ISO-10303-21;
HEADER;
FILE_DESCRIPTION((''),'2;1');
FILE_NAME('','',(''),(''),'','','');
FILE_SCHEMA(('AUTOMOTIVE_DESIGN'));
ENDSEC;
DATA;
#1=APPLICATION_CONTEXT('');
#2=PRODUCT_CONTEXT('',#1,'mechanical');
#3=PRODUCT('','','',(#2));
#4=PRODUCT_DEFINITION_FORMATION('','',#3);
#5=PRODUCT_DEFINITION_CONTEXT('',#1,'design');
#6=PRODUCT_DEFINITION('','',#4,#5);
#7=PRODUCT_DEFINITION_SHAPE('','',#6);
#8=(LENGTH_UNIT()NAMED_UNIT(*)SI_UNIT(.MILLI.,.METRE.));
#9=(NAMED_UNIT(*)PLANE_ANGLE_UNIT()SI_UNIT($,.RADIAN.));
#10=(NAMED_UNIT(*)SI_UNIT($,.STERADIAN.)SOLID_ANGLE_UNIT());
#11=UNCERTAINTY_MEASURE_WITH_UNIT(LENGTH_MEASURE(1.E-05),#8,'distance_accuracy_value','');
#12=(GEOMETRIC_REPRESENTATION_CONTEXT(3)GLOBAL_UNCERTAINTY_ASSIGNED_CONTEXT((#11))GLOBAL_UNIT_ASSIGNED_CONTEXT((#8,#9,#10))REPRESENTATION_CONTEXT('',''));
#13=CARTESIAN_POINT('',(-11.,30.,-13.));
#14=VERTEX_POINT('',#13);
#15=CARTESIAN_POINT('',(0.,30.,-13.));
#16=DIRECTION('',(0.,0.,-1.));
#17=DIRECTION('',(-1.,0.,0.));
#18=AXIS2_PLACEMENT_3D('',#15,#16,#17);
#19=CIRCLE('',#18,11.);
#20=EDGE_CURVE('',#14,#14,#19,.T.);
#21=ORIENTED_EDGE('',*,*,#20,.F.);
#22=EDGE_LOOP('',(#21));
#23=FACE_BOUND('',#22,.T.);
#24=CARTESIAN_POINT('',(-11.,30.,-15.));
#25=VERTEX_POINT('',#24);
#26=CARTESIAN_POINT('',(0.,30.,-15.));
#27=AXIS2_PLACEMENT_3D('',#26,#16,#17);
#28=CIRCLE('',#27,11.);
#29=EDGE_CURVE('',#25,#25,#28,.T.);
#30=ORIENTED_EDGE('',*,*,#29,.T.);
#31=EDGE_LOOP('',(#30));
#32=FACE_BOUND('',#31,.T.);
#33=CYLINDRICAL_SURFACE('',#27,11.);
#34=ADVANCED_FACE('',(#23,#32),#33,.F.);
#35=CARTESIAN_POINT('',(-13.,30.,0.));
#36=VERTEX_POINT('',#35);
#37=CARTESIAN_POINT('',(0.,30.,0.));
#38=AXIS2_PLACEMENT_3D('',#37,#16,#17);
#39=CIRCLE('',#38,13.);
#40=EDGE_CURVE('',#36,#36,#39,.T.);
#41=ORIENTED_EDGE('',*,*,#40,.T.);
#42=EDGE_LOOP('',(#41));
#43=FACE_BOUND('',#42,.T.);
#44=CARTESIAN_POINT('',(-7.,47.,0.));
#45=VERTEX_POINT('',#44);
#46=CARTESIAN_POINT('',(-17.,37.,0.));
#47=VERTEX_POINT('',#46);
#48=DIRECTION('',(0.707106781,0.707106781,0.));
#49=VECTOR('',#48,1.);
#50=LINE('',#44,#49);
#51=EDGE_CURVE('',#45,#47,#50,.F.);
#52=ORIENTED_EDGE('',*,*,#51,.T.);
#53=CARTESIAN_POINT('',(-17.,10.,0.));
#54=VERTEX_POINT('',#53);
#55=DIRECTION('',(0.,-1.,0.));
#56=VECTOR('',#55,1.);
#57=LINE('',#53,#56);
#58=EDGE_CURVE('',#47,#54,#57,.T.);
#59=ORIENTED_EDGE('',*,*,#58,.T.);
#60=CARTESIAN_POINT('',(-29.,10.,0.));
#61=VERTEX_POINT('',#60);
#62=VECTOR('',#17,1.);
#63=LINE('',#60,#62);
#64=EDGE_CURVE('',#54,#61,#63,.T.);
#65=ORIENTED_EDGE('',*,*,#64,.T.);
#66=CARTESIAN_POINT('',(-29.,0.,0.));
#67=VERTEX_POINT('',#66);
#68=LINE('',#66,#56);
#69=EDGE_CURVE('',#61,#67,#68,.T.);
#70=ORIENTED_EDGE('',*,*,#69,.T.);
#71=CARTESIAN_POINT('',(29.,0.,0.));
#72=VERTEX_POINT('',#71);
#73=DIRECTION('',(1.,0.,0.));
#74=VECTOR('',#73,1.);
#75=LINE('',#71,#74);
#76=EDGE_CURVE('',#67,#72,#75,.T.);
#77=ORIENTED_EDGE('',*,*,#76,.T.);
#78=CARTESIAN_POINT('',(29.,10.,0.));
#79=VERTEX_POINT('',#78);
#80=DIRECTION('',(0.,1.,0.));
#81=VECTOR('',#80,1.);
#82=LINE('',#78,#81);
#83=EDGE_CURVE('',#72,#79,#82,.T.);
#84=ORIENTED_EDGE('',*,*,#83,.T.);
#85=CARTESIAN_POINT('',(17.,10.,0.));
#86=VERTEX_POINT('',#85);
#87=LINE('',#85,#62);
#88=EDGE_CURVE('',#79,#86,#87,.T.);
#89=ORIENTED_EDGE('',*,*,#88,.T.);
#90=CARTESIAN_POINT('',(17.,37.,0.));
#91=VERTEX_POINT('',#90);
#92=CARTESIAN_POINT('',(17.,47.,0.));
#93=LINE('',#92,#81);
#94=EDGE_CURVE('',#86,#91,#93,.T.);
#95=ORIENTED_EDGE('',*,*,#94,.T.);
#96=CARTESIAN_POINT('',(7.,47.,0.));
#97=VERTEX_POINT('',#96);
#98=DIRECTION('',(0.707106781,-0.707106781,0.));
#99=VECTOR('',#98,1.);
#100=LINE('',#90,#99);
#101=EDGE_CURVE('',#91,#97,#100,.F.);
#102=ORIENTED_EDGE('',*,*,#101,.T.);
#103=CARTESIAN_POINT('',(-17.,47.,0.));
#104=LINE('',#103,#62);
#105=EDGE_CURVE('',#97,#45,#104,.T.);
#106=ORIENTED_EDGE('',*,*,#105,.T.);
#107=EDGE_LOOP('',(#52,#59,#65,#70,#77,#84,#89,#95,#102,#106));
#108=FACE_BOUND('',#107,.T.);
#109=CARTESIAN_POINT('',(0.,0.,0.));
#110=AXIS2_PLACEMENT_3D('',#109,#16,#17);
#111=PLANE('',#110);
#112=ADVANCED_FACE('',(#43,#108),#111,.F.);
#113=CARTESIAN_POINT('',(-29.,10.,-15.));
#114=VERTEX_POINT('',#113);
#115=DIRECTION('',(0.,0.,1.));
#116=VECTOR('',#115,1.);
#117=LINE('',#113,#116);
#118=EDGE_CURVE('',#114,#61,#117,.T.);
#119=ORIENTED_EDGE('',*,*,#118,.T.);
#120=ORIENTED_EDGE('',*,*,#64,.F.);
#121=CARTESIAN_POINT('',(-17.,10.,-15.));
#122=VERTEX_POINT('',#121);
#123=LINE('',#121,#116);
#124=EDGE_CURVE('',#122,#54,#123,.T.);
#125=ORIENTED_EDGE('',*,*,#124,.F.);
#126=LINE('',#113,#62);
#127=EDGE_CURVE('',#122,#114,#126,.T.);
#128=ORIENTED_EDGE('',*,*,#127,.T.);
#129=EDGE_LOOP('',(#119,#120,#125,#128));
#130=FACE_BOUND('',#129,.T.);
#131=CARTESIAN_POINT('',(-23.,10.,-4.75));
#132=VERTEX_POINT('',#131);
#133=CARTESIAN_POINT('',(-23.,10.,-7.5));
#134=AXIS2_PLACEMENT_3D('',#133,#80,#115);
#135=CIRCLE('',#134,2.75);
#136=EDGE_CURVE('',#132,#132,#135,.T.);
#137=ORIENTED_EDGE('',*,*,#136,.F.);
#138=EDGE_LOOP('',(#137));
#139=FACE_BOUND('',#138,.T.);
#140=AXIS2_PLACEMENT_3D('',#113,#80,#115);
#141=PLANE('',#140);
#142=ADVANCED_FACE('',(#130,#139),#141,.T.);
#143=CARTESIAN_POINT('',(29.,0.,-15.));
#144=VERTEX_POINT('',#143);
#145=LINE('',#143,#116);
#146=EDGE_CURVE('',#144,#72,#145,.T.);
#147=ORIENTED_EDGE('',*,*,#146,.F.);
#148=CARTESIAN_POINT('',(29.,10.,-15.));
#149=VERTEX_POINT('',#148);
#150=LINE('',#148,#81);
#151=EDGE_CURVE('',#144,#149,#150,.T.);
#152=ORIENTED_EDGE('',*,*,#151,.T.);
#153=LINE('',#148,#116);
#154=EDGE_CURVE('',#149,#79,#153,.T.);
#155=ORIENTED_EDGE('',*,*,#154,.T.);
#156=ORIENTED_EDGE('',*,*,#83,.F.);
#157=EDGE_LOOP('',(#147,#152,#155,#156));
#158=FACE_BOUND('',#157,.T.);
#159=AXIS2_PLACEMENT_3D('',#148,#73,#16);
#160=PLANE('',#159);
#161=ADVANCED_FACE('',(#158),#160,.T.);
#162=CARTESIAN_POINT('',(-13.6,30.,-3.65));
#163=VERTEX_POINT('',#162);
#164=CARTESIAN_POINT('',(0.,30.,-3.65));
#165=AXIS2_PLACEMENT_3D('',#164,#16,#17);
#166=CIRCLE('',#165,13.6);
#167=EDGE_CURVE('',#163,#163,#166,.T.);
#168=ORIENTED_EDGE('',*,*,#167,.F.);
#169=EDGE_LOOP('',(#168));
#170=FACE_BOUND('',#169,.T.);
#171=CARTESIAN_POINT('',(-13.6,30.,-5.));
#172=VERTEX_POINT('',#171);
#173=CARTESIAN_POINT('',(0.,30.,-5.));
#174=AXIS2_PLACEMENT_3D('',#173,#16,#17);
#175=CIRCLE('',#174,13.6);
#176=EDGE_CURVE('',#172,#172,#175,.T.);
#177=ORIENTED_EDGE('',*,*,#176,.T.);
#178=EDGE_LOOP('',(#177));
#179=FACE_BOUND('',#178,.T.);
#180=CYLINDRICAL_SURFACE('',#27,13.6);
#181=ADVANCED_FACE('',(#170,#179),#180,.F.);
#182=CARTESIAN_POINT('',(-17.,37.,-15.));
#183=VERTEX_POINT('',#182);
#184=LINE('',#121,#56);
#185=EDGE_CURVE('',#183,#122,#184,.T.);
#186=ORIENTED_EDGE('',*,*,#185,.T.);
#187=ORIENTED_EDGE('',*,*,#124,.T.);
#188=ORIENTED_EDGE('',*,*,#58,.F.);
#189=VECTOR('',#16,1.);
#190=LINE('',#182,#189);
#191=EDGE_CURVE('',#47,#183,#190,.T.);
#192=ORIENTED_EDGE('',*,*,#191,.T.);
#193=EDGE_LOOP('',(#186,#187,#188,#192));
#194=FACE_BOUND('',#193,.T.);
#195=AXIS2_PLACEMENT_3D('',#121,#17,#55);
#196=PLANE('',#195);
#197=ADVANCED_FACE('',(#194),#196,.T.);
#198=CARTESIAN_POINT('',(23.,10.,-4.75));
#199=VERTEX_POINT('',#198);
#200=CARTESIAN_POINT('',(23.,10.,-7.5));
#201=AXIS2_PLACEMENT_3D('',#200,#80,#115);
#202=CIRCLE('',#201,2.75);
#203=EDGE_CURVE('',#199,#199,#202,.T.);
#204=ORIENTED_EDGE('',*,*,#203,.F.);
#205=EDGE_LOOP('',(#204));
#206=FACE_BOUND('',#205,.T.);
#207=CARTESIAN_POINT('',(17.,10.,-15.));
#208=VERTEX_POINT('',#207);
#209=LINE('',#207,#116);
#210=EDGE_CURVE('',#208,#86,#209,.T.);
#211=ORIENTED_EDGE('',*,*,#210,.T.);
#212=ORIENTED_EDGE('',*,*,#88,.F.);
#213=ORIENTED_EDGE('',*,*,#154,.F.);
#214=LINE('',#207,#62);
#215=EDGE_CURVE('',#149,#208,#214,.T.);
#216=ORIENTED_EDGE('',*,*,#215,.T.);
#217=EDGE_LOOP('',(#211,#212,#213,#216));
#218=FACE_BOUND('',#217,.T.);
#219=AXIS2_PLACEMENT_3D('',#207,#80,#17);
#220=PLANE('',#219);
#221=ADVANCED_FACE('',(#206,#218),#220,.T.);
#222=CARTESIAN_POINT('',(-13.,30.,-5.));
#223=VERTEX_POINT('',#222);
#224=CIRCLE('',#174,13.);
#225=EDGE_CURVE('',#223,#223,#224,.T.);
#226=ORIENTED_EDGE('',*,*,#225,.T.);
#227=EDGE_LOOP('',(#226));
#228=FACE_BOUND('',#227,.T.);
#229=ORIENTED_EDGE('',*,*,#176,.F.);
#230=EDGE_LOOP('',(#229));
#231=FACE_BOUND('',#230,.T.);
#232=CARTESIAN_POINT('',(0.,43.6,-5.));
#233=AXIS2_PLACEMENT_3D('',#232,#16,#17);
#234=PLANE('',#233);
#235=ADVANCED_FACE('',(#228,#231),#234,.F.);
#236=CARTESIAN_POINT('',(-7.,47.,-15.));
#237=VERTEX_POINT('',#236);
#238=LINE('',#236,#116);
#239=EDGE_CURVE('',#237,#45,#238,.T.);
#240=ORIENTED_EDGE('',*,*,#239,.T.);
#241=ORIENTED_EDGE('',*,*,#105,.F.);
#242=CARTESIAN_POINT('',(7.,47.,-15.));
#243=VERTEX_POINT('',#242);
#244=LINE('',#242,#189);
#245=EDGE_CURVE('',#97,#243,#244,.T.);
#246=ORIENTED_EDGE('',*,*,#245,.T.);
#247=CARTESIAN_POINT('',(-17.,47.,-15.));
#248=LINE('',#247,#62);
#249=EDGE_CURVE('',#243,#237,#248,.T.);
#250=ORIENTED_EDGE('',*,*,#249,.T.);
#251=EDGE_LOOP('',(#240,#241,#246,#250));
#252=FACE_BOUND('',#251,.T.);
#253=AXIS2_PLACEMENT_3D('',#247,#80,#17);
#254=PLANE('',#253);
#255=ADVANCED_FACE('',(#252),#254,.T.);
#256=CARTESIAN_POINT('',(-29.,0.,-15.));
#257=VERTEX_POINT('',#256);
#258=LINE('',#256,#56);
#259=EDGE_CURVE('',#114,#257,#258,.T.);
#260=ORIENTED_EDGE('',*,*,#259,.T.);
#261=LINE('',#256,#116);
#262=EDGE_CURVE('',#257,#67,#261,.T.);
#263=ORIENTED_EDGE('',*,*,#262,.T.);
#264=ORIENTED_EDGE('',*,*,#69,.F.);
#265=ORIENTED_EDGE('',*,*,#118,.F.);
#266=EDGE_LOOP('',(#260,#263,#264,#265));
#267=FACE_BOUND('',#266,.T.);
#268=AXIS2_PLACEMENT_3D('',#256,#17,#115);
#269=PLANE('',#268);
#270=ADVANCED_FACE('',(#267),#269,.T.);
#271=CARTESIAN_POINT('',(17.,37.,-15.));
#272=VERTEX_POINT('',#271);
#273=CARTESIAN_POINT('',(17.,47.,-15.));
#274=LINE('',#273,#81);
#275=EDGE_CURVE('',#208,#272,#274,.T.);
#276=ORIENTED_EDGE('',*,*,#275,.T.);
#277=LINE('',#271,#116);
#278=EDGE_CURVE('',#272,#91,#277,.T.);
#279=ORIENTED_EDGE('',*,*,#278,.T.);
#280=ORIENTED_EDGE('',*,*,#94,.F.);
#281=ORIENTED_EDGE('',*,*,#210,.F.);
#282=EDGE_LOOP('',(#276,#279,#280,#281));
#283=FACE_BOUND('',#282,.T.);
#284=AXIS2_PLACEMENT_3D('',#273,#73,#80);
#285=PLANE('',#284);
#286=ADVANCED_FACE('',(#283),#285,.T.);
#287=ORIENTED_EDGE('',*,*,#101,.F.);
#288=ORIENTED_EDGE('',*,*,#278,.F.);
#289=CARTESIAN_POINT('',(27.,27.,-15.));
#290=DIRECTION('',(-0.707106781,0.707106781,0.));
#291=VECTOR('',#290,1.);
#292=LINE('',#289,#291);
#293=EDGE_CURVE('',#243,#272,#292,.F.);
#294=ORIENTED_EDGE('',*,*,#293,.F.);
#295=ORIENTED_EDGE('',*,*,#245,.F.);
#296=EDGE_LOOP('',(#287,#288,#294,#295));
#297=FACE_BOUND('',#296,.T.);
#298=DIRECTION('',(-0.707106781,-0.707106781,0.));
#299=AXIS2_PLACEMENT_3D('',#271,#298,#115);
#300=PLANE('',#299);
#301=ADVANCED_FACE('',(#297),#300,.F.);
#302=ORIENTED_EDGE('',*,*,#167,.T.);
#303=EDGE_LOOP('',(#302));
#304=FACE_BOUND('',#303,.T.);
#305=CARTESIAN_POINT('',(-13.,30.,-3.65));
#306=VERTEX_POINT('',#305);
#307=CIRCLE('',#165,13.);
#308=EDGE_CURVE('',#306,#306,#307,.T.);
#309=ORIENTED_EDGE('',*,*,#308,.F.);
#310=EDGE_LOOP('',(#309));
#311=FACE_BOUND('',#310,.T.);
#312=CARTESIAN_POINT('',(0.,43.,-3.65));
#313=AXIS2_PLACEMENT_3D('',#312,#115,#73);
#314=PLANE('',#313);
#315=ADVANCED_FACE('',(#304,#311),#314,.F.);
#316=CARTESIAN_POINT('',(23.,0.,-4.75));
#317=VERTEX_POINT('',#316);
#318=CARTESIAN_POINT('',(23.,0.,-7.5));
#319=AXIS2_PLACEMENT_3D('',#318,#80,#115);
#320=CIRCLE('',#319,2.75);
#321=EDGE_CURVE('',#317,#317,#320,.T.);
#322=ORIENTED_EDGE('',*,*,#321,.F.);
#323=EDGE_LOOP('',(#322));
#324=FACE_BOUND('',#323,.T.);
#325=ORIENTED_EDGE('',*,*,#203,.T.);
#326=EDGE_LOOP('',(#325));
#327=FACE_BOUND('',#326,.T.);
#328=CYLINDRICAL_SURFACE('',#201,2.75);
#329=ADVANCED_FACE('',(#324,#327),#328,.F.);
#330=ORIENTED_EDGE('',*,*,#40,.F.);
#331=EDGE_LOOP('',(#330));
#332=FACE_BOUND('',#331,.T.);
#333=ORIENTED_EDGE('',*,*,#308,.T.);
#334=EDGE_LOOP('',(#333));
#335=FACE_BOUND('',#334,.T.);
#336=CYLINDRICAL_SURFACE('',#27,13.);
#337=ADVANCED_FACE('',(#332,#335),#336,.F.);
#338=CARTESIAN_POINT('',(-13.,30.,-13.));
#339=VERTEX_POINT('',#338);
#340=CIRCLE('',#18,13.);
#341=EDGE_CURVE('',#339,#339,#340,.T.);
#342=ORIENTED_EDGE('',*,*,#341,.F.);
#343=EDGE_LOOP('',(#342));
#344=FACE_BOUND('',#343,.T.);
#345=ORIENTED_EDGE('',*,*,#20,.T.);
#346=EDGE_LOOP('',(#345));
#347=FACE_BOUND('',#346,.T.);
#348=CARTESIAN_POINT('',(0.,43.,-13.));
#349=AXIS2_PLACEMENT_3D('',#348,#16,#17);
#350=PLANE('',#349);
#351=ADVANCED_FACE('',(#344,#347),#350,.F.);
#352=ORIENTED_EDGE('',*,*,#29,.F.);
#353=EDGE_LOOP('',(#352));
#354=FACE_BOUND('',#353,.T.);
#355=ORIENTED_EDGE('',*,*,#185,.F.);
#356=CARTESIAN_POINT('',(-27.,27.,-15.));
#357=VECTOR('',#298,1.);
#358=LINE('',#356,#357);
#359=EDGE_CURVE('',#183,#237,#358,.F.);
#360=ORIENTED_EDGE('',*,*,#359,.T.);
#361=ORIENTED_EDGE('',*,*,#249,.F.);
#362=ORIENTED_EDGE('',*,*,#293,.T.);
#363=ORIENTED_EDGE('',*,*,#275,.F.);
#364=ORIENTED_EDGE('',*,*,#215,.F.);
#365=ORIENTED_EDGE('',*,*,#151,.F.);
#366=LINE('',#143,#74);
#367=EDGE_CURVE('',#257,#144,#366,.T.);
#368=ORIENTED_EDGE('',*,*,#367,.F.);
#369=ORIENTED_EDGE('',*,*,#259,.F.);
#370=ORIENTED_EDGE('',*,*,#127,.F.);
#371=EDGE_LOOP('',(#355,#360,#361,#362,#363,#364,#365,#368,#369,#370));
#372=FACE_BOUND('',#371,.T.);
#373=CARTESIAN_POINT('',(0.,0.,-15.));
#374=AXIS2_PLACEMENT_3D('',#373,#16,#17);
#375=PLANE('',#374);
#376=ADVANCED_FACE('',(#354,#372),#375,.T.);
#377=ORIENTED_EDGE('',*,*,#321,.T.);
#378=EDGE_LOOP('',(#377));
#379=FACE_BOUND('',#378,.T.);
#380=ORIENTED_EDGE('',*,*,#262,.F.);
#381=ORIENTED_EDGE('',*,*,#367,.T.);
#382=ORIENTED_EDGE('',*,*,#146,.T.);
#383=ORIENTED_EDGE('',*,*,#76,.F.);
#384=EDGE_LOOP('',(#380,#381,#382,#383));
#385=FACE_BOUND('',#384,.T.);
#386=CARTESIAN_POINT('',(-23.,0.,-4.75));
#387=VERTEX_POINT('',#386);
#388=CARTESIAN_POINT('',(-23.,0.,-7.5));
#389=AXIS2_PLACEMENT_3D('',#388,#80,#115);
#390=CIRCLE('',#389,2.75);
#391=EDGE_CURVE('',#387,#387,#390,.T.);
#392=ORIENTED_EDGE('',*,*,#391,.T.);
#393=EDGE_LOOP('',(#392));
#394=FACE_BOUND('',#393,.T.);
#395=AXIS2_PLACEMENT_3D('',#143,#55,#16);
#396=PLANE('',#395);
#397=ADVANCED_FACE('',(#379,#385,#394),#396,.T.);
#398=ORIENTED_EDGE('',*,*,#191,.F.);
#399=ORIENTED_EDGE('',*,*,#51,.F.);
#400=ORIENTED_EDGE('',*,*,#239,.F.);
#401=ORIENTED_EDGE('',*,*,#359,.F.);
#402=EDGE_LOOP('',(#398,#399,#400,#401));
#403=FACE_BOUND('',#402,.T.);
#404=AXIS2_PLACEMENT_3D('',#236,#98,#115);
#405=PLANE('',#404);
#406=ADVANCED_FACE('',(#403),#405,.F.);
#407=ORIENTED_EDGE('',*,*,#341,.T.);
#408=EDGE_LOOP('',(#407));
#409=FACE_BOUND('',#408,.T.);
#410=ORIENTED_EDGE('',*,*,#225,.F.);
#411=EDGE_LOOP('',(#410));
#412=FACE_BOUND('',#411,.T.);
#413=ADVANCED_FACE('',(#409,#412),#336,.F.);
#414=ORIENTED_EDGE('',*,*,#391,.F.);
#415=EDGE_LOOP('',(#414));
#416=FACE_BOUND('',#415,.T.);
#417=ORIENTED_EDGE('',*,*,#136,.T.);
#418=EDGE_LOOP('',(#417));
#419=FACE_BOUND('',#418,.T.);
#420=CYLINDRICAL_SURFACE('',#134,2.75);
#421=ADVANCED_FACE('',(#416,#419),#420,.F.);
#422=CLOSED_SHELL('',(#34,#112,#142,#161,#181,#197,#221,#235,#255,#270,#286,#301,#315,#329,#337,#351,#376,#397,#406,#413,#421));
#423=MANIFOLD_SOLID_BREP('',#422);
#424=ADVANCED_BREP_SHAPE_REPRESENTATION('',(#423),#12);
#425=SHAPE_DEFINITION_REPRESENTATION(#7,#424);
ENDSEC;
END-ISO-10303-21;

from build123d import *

# Parameters (mm, degrees)
BOSS_EXTRUDE1_DEPTH = 15
DIAMETER_HOLE1_D    = 5.5
CHAMFER1_SIZE       = 10


with BuildPart() as part:
    # Sketch1 → Boss-Extrude1 (new body)
    with BuildSketch(Plane.XY):
        Polygon((-17, 47), (17, 47), (17, 10), (29, 10), (29, 0), (-29, 0), (-29, 10), (-17, 10), align=None)
    extrude(amount=-BOSS_EXTRUDE1_DEPTH)

    # Sketch2 → Cut-Revolve1 (revolve, cut)
    with BuildSketch(Plane(origin=(0, 0, 0), x_dir=(0, 0, -1), z_dir=(1, 0, 0))):
        Polygon((3.65, 43), (3.65, 43.6), (5, 43.6), (5, 43), (13, 43), (13, 41), (15, 41), (15, 30), (0, 30), (0, 43), align=None)
    revolve(axis=Axis((0, 30, -15), (0, 0, 1)), mode=Mode.SUBTRACT)

    # Diameter Hole1 (through all)
    with Locations(Plane(origin=(0, 10, 0), x_dir=(1, 0, 0), z_dir=(0, 1, 0))):
        with Locations((-23, 7.5), (23, 7.5)):
            Hole(DIAMETER_HOLE1_D / 2)

    # Chamfer1
    chamfer1_edges = [part.edges().sort_by_distance(p)[0] for p in [
        (-17, 47, -7.5),
        (17, 47, -7.5),
    ]]
    chamfer(chamfer1_edges, length=CHAMFER1_SIZE)


solid = part.part
